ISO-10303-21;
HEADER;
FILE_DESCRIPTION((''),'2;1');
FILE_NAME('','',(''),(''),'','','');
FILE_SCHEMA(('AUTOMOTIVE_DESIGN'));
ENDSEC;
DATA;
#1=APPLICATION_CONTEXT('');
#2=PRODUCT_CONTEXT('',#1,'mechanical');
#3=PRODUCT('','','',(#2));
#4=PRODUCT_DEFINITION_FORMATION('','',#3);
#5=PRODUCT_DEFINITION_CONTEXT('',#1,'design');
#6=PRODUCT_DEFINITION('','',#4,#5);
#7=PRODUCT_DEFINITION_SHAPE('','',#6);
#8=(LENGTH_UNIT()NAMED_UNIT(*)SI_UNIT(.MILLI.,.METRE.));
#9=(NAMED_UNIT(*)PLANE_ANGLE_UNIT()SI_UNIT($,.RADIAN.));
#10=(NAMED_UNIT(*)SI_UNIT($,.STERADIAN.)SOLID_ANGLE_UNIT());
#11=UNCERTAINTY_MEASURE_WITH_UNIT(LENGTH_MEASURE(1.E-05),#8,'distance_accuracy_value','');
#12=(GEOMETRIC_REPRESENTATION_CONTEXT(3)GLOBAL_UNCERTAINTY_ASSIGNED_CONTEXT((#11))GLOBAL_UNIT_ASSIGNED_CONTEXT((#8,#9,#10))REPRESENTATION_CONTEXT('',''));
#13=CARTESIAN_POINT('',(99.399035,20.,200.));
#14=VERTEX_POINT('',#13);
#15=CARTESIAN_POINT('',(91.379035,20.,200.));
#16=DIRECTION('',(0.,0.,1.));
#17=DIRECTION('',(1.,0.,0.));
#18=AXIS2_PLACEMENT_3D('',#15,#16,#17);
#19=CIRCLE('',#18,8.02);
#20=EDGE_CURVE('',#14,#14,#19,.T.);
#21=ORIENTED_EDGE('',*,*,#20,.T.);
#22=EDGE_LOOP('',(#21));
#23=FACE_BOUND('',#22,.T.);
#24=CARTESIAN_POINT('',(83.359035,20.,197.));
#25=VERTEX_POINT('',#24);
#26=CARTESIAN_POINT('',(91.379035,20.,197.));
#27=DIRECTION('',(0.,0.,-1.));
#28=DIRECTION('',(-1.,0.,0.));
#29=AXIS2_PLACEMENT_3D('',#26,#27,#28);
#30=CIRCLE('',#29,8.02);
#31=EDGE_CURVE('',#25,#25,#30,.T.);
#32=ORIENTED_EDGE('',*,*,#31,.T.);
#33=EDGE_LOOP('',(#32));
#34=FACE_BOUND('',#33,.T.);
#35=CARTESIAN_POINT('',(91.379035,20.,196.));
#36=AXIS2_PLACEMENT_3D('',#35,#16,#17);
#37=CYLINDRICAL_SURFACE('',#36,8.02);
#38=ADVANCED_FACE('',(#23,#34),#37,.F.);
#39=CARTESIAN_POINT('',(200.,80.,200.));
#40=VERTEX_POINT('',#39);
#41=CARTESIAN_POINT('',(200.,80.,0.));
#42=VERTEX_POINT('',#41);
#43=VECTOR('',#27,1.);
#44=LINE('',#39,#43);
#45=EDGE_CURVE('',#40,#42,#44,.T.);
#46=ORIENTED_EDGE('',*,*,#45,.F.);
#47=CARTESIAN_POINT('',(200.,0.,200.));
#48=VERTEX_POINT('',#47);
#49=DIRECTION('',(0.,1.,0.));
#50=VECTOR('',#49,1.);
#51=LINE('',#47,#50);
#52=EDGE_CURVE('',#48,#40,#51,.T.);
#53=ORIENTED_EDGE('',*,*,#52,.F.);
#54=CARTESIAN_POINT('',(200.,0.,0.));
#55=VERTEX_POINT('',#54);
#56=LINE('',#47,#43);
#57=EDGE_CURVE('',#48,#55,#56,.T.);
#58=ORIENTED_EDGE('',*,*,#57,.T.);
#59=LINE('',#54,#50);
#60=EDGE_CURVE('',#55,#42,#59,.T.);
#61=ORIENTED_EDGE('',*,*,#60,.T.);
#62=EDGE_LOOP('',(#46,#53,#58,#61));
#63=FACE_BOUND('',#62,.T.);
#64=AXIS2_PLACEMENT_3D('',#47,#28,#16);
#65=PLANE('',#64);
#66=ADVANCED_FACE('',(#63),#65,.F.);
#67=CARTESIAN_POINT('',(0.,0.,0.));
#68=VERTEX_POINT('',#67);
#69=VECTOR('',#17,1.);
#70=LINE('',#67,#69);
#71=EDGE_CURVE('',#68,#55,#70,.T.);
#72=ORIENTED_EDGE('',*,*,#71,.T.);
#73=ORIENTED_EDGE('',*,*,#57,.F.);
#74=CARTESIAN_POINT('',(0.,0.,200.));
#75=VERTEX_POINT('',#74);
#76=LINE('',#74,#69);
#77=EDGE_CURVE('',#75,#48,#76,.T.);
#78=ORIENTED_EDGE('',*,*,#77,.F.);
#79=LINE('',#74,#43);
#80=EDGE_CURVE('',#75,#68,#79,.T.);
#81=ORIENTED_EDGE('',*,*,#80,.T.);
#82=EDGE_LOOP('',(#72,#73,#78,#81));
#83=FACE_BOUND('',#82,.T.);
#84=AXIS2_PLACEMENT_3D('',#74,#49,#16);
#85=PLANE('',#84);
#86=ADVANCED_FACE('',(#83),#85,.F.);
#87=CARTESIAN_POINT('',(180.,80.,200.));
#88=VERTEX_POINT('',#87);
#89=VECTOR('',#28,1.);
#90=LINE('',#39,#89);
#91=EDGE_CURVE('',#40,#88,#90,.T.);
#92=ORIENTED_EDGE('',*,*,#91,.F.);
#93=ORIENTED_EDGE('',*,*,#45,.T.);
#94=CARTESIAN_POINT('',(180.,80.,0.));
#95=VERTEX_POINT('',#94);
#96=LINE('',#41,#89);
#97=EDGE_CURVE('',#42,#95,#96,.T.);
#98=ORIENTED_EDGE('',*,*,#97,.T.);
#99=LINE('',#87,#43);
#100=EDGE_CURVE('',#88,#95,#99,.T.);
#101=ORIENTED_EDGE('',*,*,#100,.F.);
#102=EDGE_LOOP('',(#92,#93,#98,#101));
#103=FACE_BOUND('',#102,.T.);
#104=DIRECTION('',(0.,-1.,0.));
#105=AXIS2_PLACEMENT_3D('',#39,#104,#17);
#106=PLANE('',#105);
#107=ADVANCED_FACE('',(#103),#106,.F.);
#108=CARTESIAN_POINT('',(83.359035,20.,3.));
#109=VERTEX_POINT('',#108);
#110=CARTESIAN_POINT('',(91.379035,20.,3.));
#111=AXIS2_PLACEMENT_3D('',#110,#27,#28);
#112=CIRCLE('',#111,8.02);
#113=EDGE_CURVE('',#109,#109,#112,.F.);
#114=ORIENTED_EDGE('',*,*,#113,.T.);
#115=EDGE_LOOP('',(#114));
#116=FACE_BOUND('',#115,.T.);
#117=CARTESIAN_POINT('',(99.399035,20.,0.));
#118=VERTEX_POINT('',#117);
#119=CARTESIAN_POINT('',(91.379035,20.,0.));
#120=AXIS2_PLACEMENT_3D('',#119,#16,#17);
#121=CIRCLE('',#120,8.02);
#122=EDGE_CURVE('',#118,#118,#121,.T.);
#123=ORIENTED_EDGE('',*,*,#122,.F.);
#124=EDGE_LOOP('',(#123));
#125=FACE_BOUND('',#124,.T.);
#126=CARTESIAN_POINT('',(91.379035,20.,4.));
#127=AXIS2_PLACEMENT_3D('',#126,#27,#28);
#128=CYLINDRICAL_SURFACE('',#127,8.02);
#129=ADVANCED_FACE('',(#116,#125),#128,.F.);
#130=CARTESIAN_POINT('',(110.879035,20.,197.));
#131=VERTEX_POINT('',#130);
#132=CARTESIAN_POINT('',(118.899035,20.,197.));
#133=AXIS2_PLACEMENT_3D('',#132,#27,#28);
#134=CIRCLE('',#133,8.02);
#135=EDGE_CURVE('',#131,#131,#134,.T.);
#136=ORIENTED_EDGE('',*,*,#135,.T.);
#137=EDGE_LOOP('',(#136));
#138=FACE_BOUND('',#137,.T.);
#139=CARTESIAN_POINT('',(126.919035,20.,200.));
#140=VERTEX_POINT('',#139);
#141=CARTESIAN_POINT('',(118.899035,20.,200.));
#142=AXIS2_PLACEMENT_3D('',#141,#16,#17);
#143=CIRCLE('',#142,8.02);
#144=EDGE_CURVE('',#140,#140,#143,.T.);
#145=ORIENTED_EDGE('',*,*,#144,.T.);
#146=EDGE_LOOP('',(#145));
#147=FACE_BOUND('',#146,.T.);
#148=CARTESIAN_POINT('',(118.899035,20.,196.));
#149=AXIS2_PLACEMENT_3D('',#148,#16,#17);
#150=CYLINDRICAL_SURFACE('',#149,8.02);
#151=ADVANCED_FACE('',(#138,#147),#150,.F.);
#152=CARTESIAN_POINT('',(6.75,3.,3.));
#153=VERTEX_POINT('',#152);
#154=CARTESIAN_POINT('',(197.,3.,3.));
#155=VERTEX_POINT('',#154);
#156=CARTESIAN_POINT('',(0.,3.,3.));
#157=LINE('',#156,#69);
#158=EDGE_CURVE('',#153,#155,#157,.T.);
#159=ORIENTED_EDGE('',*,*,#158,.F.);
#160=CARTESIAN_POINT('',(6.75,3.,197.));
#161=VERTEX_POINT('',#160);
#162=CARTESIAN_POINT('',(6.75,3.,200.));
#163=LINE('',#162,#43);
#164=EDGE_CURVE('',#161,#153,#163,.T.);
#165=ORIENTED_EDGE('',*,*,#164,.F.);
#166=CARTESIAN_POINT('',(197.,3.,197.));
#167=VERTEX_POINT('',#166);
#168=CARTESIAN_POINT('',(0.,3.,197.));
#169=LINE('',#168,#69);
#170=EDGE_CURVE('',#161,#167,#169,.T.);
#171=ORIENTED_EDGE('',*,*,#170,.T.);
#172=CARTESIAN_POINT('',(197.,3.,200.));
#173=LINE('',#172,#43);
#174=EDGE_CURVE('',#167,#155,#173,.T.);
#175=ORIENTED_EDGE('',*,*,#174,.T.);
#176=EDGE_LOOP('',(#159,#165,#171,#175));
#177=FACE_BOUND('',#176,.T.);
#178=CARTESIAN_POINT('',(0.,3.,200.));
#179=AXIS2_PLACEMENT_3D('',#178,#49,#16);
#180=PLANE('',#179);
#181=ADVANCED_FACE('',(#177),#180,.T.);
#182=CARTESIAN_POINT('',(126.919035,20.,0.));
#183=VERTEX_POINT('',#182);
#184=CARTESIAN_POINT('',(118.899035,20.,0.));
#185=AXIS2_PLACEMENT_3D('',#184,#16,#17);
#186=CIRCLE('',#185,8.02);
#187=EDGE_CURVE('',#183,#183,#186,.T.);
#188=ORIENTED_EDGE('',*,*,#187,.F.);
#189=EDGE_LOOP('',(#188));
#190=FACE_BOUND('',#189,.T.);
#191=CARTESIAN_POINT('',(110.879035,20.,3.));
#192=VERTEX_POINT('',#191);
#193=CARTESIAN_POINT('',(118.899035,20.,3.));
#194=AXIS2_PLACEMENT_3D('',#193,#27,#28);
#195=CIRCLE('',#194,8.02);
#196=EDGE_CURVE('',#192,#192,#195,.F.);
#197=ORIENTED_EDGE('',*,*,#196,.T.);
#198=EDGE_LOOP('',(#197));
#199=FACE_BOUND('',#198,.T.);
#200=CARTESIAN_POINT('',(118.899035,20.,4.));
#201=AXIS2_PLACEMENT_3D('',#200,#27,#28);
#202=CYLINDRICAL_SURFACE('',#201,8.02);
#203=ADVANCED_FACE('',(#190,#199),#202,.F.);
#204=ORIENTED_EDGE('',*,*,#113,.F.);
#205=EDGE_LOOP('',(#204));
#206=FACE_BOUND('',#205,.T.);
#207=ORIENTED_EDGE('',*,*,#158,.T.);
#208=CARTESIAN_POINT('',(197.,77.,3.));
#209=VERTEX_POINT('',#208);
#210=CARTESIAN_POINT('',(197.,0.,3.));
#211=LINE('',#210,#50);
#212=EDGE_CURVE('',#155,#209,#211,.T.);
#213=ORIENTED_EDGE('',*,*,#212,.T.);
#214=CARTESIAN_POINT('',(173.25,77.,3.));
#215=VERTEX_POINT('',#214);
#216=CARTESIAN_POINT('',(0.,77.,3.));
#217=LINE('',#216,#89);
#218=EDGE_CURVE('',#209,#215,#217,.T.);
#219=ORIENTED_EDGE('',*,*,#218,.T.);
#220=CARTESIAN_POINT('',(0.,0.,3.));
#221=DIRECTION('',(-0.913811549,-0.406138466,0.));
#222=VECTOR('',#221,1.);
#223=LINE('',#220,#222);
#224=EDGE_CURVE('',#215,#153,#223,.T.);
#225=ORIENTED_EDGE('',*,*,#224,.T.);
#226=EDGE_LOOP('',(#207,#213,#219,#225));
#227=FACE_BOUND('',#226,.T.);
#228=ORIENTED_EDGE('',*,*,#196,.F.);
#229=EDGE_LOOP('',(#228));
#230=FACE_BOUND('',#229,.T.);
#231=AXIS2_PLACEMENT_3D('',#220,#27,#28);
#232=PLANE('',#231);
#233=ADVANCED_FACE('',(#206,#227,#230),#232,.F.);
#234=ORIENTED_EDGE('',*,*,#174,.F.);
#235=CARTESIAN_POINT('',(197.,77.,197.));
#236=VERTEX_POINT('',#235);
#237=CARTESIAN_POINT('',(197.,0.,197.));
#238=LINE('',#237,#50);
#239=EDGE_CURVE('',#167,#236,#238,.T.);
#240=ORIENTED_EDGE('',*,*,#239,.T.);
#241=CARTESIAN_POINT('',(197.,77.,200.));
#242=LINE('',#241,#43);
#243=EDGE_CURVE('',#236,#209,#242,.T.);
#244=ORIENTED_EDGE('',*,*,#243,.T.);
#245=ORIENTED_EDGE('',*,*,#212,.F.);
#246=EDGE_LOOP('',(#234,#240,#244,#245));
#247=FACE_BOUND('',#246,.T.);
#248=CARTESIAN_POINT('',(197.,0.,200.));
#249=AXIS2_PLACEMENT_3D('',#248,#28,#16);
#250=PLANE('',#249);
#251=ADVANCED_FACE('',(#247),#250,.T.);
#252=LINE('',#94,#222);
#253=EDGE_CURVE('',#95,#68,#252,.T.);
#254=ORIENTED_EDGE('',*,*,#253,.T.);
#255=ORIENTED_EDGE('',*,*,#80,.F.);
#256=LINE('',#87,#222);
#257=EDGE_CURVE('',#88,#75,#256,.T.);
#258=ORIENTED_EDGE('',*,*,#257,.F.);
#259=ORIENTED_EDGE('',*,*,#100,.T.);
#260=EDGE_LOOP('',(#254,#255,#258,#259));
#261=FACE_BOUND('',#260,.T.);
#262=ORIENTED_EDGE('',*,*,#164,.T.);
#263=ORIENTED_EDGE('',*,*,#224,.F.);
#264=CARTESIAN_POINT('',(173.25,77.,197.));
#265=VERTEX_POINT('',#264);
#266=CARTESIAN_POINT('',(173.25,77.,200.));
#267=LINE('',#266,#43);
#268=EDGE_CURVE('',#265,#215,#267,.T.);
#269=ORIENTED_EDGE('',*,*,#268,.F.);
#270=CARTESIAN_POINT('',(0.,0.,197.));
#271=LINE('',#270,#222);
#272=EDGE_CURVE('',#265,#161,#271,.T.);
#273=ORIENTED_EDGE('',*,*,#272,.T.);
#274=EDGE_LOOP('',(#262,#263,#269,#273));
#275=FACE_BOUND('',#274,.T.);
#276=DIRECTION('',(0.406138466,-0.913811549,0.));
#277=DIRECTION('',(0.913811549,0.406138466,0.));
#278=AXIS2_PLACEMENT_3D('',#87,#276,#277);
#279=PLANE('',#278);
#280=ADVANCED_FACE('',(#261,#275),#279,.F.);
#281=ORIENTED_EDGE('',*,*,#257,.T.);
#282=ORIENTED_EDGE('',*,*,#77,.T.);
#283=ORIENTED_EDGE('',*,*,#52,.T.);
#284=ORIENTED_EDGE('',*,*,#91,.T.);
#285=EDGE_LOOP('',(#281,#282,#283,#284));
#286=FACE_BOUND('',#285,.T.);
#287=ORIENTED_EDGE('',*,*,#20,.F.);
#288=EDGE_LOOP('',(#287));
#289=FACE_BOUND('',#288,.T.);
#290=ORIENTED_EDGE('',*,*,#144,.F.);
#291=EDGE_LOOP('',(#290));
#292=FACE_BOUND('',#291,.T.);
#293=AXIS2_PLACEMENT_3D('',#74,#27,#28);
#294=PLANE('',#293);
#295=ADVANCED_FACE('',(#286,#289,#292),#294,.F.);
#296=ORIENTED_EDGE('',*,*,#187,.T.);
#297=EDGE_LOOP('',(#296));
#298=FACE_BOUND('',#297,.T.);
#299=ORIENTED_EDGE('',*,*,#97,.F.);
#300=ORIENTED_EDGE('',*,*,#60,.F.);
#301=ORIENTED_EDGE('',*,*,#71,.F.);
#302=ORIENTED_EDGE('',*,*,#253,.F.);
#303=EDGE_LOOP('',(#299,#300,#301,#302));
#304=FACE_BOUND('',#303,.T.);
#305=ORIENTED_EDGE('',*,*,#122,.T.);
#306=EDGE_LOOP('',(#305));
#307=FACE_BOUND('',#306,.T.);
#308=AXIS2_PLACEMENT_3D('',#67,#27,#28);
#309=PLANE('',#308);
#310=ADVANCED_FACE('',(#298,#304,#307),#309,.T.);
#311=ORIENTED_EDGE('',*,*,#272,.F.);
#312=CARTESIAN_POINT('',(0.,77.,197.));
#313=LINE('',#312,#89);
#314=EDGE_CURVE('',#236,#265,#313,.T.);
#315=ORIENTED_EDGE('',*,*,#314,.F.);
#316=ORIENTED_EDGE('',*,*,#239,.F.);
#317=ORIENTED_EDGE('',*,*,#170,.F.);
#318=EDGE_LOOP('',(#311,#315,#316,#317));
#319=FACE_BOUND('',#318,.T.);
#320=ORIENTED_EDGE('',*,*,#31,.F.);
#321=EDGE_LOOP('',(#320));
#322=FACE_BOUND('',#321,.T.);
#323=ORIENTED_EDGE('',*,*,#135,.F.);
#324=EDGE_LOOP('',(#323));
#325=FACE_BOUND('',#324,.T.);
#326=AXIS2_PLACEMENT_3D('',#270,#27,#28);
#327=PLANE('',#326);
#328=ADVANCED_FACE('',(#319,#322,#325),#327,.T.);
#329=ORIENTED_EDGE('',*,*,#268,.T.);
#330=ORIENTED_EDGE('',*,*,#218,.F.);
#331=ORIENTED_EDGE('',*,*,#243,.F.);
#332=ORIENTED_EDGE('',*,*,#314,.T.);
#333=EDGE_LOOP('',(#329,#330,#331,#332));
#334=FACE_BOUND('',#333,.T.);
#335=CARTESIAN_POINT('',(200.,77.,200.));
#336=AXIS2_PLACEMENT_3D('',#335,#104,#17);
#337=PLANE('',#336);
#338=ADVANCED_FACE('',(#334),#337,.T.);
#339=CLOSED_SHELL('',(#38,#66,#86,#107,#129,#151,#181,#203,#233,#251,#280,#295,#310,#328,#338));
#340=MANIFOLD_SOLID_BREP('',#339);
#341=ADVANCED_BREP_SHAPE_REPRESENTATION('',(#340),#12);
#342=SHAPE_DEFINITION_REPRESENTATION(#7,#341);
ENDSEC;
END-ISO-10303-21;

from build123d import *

# Parameters (mm, degrees)
BOSS_EXTRUDE4_DEPTH = 200
SHELL2_T            = -3
SKETCH4_R           = 8.02
BOSS_EXTRUDE5_DEPTH = 3
SKETCH4_7_R         = 8.02
CUT_EXTRUDE1_DEPTH  = 4
CUT_EXTRUDE2_START  = 4
SKETCH5_R           = 8.02
CUT_EXTRUDE2_DEPTH  = 4


with BuildPart() as part:
    # Sketch1 → Boss-Extrude4 (new body)
    with BuildSketch(Plane.XY):
        Polygon((0, 0), (200, 0), (200, 80), (180, 80), align=None)
    extrude(amount=BOSS_EXTRUDE4_DEPTH)

    # Shell2
    shell2_openings = [part.faces().sort_by_distance(p)[0] for p in [
        (90, 40, 100),
    ]]
    offset(amount=SHELL2_T, openings=shell2_openings, kind=Kind.INTERSECTION)

    # Sketch4 → Boss-Extrude5 (add)
    with BuildSketch(Plane.XY.offset(200)):
        with Locations((91.379034553, 20)):
            Circle(SKETCH4_R)
        with Locations((118.899034553, 20)):
            Circle(SKETCH4_R)
    extrude(amount=-BOSS_EXTRUDE5_DEPTH)

    # Sketch4<7> → Cut-Extrude1 (cut)
    with BuildSketch(Plane.XY.offset(200)):
        with Locations((91.379034553, 20)):
            Circle(SKETCH4_7_R)
        with Locations((118.899034553, 20)):
            Circle(SKETCH4_7_R)
    extrude(amount=-CUT_EXTRUDE1_DEPTH, mode=Mode.SUBTRACT)

    # Sketch5 → Cut-Extrude2 (cut)
    with BuildSketch(Plane.XY.offset(CUT_EXTRUDE2_START)):
        with Locations((91.379034553, 20)):
            Circle(SKETCH5_R)
        with Locations((118.899034553, 20)):
            Circle(SKETCH5_R)
    extrude(amount=-CUT_EXTRUDE2_DEPTH, mode=Mode.SUBTRACT)


solid = part.part
